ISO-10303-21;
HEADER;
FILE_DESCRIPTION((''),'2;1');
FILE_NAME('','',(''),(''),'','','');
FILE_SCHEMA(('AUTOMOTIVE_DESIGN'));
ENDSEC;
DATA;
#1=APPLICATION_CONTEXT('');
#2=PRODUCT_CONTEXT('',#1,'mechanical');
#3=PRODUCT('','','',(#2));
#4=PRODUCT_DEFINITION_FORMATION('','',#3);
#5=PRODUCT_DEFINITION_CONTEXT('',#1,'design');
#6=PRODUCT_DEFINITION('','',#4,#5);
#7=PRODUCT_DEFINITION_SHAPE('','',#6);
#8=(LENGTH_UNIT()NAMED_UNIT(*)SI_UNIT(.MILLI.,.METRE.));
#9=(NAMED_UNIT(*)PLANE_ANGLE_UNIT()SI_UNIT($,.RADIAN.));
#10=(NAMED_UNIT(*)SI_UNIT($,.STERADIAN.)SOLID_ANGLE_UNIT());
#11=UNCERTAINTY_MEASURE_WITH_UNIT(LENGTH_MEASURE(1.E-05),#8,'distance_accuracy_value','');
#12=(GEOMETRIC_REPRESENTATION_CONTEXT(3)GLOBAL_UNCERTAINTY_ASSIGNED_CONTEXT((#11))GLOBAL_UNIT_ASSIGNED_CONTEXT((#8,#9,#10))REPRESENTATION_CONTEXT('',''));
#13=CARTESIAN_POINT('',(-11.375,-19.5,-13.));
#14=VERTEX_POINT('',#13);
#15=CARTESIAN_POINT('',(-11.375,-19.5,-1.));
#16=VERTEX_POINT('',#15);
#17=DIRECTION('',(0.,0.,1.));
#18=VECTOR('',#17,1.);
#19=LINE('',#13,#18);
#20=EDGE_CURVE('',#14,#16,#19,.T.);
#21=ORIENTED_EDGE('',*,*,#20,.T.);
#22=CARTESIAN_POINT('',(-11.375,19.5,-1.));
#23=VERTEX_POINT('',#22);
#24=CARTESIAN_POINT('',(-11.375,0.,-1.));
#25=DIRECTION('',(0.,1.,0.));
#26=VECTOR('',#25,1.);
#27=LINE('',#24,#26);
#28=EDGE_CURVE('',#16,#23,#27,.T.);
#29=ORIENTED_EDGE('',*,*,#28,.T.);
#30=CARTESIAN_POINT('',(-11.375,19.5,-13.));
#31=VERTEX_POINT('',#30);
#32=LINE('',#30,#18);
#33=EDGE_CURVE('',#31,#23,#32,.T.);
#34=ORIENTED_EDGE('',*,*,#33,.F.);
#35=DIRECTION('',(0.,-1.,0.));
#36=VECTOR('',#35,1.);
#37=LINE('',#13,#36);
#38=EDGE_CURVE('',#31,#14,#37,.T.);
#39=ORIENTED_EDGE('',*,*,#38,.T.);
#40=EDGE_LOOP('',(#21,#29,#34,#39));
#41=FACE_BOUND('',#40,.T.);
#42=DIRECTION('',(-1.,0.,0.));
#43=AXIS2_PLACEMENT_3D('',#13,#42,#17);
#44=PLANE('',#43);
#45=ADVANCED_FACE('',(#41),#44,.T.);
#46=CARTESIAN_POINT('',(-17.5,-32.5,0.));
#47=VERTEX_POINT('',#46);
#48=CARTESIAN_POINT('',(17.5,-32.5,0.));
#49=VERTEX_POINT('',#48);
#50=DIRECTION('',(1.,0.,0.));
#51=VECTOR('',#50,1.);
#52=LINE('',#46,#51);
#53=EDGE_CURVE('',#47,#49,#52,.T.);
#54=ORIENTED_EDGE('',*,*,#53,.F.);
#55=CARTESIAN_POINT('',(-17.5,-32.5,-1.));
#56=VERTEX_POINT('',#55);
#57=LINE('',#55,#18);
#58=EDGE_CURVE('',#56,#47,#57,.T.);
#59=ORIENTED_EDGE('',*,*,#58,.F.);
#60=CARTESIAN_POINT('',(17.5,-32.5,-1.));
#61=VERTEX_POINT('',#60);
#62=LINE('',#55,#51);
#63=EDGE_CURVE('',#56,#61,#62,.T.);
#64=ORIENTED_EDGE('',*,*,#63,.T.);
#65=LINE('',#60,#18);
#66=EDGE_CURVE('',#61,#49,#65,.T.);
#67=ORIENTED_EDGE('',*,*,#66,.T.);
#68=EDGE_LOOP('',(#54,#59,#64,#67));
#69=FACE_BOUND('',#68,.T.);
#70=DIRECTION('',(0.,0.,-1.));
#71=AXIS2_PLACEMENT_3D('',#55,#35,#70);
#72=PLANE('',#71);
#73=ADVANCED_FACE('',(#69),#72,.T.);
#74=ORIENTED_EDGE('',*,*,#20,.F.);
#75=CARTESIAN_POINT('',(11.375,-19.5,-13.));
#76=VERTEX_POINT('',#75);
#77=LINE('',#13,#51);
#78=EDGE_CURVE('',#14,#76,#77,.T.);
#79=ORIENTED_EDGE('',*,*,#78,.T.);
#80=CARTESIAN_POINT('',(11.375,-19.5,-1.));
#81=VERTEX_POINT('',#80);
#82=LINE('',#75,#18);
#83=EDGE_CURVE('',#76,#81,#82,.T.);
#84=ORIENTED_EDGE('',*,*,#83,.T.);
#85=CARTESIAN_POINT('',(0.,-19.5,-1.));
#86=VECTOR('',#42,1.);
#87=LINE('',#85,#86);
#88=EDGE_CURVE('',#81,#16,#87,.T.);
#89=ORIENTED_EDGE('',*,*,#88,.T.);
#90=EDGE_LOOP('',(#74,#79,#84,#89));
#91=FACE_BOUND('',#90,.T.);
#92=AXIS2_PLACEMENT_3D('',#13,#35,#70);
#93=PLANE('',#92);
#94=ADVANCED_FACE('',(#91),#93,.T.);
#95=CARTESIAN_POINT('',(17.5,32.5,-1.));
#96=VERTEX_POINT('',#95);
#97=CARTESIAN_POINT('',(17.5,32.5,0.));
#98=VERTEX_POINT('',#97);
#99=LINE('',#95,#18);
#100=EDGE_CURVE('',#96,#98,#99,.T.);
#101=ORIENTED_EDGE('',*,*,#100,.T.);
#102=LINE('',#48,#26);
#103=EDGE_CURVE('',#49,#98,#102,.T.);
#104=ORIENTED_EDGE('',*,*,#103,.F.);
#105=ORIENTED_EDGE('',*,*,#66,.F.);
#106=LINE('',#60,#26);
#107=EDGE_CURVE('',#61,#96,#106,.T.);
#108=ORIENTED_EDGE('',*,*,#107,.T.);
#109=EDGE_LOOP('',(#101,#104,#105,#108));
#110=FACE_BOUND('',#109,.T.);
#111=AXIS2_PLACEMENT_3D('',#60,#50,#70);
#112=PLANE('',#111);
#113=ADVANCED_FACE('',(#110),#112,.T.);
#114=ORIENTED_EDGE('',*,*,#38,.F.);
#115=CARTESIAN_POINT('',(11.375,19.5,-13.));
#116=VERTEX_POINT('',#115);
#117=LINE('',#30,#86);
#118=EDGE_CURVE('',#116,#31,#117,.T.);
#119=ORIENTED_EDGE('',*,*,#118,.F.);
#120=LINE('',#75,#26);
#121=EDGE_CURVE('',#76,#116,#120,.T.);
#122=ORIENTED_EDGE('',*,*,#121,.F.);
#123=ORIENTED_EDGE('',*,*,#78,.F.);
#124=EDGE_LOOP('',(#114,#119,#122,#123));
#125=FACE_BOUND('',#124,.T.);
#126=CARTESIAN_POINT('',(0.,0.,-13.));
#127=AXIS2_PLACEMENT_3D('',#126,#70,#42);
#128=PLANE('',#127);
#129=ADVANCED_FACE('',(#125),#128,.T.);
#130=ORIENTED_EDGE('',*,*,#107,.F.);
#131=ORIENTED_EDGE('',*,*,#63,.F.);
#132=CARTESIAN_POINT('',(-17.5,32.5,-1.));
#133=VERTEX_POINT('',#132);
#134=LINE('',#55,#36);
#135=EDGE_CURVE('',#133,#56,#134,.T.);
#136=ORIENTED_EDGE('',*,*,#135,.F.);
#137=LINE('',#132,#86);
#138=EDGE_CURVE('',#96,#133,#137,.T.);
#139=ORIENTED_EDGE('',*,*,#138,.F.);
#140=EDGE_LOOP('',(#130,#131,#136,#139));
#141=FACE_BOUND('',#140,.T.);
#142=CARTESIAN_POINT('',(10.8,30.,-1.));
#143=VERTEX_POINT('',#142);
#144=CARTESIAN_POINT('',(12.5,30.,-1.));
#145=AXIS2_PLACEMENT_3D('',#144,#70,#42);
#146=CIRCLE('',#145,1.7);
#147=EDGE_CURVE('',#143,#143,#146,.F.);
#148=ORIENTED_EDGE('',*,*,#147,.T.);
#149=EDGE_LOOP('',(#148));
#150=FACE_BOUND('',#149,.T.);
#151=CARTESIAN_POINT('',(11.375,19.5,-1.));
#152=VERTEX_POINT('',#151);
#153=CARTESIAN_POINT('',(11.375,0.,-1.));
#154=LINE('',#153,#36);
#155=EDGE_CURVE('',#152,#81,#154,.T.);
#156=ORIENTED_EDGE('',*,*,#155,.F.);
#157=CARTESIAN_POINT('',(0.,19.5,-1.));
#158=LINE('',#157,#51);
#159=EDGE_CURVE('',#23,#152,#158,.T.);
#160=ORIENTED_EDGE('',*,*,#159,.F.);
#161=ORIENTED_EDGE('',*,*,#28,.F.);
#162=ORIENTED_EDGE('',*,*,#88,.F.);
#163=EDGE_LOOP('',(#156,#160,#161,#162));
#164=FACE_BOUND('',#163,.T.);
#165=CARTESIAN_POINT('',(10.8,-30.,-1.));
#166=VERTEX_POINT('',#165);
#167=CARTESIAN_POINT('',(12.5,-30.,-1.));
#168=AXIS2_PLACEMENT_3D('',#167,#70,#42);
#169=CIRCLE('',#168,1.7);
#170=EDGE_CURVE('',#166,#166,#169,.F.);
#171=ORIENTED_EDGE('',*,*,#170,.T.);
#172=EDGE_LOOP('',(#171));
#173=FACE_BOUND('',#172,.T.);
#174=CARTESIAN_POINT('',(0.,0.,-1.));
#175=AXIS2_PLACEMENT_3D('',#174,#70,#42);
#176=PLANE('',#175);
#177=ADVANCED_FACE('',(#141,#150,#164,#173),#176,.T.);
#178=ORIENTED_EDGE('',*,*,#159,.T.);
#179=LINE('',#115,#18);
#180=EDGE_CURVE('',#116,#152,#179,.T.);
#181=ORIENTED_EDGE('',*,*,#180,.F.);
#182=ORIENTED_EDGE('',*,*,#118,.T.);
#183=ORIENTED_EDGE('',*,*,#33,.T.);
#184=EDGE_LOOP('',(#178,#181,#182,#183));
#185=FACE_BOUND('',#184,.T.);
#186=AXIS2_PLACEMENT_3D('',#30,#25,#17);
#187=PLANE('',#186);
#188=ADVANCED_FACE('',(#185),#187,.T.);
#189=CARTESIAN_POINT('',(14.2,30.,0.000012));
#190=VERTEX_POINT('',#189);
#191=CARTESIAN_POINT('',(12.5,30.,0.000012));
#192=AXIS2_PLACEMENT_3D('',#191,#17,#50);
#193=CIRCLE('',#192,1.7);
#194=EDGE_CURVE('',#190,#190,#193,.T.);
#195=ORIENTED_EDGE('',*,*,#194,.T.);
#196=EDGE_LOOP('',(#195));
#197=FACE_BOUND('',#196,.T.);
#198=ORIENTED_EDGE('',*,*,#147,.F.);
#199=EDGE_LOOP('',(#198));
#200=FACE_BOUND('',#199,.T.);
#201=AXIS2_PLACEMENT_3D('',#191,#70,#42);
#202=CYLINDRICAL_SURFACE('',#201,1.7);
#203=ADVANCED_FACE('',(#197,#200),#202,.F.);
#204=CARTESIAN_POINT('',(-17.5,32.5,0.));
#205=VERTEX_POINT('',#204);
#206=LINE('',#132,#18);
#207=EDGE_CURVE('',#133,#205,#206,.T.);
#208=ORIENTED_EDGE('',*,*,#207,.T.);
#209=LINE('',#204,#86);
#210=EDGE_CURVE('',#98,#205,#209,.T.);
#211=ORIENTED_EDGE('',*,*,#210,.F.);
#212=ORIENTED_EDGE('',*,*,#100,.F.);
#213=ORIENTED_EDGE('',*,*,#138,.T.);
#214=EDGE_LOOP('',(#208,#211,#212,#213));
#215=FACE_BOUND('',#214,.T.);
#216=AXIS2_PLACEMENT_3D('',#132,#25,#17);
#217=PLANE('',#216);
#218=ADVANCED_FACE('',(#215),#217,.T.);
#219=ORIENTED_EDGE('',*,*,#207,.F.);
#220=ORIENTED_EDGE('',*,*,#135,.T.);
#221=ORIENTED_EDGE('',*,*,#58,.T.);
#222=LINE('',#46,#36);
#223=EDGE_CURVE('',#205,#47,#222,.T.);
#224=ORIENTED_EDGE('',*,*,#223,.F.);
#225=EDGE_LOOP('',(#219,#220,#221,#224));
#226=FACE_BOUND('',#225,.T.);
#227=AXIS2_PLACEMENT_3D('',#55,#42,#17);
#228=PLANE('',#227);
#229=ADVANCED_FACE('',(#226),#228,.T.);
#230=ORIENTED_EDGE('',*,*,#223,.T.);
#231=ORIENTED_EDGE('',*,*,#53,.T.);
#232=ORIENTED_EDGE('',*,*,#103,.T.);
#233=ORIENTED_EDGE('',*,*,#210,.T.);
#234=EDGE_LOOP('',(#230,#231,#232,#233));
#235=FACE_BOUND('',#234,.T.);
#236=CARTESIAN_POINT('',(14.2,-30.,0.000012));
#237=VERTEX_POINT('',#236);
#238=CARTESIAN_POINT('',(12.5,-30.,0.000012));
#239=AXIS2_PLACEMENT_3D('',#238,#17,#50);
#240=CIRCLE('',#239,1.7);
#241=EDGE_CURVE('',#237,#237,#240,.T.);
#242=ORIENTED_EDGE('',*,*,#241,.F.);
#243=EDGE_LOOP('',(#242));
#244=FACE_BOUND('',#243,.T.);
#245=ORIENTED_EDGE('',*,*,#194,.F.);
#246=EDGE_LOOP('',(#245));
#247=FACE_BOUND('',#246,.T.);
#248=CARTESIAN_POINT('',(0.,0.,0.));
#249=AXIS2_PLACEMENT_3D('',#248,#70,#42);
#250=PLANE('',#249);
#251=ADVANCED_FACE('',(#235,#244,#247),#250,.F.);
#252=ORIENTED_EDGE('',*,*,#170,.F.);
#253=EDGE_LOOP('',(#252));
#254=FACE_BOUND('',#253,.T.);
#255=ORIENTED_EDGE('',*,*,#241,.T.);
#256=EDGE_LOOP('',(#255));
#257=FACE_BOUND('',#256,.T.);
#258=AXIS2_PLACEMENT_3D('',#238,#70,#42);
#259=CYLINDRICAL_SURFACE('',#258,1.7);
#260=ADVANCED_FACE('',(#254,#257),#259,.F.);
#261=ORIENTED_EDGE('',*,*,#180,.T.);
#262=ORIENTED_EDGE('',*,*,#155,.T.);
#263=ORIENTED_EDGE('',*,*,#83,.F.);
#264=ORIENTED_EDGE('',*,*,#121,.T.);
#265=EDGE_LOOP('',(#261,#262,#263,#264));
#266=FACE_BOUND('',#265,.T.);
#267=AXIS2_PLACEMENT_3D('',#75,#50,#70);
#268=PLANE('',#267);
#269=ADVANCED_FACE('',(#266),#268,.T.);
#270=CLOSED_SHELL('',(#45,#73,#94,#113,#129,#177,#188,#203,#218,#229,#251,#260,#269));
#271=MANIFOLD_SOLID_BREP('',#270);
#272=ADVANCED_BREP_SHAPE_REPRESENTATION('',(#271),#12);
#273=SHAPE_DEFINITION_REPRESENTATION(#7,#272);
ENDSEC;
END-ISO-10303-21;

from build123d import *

# Parameters (mm, degrees)
SKETCH1_W                           = 35
SKETCH1_H                           = 65
BOSS_EXTRUDE1_DEPTH                 = 1
SKETCH2_W                           = 22.75
SKETCH2_H                           = 39
BOSS_EXTRUDE2_DEPTH                 = 13
HAI_LO_M3_TRUNG_TRU_TREO_DEPTH      = 40.134383859
HAI_LO_M3_TRUNG_TRU_TREO_DEPTH_BACK = 40.134383859
SKETCH4_R                           = 1.7


with BuildPart() as part:
    # Sketch1 → Boss-Extrude1 (new body)
    with BuildSketch(Plane.XY):
        Rectangle(SKETCH1_W, SKETCH1_H)
    extrude(amount=-BOSS_EXTRUDE1_DEPTH)

    # Sketch2 → Boss-Extrude2 (add)
    with BuildSketch(Plane.XY):
        Rectangle(SKETCH2_W, SKETCH2_H)
    extrude(amount=-BOSS_EXTRUDE2_DEPTH)

    # Sketch4 → Hai_lo_M3_trung_tru_treo (cut, two sides: drawn at the far end of the back side and taken through both)
    with BuildSketch(Plane.XY.offset(-HAI_LO_M3_TRUNG_TRU_TREO_DEPTH_BACK)):
        with Locations(Location((12.5, -30, 0), (0, 0, 180))):
            Circle(SKETCH4_R)
        with Locations(Location((12.5, 30, 0), (0, 0, 180))):
            Circle(SKETCH4_R)
    extrude(amount=HAI_LO_M3_TRUNG_TRU_TREO_DEPTH + HAI_LO_M3_TRUNG_TRU_TREO_DEPTH_BACK, mode=Mode.SUBTRACT)


solid = part.part
